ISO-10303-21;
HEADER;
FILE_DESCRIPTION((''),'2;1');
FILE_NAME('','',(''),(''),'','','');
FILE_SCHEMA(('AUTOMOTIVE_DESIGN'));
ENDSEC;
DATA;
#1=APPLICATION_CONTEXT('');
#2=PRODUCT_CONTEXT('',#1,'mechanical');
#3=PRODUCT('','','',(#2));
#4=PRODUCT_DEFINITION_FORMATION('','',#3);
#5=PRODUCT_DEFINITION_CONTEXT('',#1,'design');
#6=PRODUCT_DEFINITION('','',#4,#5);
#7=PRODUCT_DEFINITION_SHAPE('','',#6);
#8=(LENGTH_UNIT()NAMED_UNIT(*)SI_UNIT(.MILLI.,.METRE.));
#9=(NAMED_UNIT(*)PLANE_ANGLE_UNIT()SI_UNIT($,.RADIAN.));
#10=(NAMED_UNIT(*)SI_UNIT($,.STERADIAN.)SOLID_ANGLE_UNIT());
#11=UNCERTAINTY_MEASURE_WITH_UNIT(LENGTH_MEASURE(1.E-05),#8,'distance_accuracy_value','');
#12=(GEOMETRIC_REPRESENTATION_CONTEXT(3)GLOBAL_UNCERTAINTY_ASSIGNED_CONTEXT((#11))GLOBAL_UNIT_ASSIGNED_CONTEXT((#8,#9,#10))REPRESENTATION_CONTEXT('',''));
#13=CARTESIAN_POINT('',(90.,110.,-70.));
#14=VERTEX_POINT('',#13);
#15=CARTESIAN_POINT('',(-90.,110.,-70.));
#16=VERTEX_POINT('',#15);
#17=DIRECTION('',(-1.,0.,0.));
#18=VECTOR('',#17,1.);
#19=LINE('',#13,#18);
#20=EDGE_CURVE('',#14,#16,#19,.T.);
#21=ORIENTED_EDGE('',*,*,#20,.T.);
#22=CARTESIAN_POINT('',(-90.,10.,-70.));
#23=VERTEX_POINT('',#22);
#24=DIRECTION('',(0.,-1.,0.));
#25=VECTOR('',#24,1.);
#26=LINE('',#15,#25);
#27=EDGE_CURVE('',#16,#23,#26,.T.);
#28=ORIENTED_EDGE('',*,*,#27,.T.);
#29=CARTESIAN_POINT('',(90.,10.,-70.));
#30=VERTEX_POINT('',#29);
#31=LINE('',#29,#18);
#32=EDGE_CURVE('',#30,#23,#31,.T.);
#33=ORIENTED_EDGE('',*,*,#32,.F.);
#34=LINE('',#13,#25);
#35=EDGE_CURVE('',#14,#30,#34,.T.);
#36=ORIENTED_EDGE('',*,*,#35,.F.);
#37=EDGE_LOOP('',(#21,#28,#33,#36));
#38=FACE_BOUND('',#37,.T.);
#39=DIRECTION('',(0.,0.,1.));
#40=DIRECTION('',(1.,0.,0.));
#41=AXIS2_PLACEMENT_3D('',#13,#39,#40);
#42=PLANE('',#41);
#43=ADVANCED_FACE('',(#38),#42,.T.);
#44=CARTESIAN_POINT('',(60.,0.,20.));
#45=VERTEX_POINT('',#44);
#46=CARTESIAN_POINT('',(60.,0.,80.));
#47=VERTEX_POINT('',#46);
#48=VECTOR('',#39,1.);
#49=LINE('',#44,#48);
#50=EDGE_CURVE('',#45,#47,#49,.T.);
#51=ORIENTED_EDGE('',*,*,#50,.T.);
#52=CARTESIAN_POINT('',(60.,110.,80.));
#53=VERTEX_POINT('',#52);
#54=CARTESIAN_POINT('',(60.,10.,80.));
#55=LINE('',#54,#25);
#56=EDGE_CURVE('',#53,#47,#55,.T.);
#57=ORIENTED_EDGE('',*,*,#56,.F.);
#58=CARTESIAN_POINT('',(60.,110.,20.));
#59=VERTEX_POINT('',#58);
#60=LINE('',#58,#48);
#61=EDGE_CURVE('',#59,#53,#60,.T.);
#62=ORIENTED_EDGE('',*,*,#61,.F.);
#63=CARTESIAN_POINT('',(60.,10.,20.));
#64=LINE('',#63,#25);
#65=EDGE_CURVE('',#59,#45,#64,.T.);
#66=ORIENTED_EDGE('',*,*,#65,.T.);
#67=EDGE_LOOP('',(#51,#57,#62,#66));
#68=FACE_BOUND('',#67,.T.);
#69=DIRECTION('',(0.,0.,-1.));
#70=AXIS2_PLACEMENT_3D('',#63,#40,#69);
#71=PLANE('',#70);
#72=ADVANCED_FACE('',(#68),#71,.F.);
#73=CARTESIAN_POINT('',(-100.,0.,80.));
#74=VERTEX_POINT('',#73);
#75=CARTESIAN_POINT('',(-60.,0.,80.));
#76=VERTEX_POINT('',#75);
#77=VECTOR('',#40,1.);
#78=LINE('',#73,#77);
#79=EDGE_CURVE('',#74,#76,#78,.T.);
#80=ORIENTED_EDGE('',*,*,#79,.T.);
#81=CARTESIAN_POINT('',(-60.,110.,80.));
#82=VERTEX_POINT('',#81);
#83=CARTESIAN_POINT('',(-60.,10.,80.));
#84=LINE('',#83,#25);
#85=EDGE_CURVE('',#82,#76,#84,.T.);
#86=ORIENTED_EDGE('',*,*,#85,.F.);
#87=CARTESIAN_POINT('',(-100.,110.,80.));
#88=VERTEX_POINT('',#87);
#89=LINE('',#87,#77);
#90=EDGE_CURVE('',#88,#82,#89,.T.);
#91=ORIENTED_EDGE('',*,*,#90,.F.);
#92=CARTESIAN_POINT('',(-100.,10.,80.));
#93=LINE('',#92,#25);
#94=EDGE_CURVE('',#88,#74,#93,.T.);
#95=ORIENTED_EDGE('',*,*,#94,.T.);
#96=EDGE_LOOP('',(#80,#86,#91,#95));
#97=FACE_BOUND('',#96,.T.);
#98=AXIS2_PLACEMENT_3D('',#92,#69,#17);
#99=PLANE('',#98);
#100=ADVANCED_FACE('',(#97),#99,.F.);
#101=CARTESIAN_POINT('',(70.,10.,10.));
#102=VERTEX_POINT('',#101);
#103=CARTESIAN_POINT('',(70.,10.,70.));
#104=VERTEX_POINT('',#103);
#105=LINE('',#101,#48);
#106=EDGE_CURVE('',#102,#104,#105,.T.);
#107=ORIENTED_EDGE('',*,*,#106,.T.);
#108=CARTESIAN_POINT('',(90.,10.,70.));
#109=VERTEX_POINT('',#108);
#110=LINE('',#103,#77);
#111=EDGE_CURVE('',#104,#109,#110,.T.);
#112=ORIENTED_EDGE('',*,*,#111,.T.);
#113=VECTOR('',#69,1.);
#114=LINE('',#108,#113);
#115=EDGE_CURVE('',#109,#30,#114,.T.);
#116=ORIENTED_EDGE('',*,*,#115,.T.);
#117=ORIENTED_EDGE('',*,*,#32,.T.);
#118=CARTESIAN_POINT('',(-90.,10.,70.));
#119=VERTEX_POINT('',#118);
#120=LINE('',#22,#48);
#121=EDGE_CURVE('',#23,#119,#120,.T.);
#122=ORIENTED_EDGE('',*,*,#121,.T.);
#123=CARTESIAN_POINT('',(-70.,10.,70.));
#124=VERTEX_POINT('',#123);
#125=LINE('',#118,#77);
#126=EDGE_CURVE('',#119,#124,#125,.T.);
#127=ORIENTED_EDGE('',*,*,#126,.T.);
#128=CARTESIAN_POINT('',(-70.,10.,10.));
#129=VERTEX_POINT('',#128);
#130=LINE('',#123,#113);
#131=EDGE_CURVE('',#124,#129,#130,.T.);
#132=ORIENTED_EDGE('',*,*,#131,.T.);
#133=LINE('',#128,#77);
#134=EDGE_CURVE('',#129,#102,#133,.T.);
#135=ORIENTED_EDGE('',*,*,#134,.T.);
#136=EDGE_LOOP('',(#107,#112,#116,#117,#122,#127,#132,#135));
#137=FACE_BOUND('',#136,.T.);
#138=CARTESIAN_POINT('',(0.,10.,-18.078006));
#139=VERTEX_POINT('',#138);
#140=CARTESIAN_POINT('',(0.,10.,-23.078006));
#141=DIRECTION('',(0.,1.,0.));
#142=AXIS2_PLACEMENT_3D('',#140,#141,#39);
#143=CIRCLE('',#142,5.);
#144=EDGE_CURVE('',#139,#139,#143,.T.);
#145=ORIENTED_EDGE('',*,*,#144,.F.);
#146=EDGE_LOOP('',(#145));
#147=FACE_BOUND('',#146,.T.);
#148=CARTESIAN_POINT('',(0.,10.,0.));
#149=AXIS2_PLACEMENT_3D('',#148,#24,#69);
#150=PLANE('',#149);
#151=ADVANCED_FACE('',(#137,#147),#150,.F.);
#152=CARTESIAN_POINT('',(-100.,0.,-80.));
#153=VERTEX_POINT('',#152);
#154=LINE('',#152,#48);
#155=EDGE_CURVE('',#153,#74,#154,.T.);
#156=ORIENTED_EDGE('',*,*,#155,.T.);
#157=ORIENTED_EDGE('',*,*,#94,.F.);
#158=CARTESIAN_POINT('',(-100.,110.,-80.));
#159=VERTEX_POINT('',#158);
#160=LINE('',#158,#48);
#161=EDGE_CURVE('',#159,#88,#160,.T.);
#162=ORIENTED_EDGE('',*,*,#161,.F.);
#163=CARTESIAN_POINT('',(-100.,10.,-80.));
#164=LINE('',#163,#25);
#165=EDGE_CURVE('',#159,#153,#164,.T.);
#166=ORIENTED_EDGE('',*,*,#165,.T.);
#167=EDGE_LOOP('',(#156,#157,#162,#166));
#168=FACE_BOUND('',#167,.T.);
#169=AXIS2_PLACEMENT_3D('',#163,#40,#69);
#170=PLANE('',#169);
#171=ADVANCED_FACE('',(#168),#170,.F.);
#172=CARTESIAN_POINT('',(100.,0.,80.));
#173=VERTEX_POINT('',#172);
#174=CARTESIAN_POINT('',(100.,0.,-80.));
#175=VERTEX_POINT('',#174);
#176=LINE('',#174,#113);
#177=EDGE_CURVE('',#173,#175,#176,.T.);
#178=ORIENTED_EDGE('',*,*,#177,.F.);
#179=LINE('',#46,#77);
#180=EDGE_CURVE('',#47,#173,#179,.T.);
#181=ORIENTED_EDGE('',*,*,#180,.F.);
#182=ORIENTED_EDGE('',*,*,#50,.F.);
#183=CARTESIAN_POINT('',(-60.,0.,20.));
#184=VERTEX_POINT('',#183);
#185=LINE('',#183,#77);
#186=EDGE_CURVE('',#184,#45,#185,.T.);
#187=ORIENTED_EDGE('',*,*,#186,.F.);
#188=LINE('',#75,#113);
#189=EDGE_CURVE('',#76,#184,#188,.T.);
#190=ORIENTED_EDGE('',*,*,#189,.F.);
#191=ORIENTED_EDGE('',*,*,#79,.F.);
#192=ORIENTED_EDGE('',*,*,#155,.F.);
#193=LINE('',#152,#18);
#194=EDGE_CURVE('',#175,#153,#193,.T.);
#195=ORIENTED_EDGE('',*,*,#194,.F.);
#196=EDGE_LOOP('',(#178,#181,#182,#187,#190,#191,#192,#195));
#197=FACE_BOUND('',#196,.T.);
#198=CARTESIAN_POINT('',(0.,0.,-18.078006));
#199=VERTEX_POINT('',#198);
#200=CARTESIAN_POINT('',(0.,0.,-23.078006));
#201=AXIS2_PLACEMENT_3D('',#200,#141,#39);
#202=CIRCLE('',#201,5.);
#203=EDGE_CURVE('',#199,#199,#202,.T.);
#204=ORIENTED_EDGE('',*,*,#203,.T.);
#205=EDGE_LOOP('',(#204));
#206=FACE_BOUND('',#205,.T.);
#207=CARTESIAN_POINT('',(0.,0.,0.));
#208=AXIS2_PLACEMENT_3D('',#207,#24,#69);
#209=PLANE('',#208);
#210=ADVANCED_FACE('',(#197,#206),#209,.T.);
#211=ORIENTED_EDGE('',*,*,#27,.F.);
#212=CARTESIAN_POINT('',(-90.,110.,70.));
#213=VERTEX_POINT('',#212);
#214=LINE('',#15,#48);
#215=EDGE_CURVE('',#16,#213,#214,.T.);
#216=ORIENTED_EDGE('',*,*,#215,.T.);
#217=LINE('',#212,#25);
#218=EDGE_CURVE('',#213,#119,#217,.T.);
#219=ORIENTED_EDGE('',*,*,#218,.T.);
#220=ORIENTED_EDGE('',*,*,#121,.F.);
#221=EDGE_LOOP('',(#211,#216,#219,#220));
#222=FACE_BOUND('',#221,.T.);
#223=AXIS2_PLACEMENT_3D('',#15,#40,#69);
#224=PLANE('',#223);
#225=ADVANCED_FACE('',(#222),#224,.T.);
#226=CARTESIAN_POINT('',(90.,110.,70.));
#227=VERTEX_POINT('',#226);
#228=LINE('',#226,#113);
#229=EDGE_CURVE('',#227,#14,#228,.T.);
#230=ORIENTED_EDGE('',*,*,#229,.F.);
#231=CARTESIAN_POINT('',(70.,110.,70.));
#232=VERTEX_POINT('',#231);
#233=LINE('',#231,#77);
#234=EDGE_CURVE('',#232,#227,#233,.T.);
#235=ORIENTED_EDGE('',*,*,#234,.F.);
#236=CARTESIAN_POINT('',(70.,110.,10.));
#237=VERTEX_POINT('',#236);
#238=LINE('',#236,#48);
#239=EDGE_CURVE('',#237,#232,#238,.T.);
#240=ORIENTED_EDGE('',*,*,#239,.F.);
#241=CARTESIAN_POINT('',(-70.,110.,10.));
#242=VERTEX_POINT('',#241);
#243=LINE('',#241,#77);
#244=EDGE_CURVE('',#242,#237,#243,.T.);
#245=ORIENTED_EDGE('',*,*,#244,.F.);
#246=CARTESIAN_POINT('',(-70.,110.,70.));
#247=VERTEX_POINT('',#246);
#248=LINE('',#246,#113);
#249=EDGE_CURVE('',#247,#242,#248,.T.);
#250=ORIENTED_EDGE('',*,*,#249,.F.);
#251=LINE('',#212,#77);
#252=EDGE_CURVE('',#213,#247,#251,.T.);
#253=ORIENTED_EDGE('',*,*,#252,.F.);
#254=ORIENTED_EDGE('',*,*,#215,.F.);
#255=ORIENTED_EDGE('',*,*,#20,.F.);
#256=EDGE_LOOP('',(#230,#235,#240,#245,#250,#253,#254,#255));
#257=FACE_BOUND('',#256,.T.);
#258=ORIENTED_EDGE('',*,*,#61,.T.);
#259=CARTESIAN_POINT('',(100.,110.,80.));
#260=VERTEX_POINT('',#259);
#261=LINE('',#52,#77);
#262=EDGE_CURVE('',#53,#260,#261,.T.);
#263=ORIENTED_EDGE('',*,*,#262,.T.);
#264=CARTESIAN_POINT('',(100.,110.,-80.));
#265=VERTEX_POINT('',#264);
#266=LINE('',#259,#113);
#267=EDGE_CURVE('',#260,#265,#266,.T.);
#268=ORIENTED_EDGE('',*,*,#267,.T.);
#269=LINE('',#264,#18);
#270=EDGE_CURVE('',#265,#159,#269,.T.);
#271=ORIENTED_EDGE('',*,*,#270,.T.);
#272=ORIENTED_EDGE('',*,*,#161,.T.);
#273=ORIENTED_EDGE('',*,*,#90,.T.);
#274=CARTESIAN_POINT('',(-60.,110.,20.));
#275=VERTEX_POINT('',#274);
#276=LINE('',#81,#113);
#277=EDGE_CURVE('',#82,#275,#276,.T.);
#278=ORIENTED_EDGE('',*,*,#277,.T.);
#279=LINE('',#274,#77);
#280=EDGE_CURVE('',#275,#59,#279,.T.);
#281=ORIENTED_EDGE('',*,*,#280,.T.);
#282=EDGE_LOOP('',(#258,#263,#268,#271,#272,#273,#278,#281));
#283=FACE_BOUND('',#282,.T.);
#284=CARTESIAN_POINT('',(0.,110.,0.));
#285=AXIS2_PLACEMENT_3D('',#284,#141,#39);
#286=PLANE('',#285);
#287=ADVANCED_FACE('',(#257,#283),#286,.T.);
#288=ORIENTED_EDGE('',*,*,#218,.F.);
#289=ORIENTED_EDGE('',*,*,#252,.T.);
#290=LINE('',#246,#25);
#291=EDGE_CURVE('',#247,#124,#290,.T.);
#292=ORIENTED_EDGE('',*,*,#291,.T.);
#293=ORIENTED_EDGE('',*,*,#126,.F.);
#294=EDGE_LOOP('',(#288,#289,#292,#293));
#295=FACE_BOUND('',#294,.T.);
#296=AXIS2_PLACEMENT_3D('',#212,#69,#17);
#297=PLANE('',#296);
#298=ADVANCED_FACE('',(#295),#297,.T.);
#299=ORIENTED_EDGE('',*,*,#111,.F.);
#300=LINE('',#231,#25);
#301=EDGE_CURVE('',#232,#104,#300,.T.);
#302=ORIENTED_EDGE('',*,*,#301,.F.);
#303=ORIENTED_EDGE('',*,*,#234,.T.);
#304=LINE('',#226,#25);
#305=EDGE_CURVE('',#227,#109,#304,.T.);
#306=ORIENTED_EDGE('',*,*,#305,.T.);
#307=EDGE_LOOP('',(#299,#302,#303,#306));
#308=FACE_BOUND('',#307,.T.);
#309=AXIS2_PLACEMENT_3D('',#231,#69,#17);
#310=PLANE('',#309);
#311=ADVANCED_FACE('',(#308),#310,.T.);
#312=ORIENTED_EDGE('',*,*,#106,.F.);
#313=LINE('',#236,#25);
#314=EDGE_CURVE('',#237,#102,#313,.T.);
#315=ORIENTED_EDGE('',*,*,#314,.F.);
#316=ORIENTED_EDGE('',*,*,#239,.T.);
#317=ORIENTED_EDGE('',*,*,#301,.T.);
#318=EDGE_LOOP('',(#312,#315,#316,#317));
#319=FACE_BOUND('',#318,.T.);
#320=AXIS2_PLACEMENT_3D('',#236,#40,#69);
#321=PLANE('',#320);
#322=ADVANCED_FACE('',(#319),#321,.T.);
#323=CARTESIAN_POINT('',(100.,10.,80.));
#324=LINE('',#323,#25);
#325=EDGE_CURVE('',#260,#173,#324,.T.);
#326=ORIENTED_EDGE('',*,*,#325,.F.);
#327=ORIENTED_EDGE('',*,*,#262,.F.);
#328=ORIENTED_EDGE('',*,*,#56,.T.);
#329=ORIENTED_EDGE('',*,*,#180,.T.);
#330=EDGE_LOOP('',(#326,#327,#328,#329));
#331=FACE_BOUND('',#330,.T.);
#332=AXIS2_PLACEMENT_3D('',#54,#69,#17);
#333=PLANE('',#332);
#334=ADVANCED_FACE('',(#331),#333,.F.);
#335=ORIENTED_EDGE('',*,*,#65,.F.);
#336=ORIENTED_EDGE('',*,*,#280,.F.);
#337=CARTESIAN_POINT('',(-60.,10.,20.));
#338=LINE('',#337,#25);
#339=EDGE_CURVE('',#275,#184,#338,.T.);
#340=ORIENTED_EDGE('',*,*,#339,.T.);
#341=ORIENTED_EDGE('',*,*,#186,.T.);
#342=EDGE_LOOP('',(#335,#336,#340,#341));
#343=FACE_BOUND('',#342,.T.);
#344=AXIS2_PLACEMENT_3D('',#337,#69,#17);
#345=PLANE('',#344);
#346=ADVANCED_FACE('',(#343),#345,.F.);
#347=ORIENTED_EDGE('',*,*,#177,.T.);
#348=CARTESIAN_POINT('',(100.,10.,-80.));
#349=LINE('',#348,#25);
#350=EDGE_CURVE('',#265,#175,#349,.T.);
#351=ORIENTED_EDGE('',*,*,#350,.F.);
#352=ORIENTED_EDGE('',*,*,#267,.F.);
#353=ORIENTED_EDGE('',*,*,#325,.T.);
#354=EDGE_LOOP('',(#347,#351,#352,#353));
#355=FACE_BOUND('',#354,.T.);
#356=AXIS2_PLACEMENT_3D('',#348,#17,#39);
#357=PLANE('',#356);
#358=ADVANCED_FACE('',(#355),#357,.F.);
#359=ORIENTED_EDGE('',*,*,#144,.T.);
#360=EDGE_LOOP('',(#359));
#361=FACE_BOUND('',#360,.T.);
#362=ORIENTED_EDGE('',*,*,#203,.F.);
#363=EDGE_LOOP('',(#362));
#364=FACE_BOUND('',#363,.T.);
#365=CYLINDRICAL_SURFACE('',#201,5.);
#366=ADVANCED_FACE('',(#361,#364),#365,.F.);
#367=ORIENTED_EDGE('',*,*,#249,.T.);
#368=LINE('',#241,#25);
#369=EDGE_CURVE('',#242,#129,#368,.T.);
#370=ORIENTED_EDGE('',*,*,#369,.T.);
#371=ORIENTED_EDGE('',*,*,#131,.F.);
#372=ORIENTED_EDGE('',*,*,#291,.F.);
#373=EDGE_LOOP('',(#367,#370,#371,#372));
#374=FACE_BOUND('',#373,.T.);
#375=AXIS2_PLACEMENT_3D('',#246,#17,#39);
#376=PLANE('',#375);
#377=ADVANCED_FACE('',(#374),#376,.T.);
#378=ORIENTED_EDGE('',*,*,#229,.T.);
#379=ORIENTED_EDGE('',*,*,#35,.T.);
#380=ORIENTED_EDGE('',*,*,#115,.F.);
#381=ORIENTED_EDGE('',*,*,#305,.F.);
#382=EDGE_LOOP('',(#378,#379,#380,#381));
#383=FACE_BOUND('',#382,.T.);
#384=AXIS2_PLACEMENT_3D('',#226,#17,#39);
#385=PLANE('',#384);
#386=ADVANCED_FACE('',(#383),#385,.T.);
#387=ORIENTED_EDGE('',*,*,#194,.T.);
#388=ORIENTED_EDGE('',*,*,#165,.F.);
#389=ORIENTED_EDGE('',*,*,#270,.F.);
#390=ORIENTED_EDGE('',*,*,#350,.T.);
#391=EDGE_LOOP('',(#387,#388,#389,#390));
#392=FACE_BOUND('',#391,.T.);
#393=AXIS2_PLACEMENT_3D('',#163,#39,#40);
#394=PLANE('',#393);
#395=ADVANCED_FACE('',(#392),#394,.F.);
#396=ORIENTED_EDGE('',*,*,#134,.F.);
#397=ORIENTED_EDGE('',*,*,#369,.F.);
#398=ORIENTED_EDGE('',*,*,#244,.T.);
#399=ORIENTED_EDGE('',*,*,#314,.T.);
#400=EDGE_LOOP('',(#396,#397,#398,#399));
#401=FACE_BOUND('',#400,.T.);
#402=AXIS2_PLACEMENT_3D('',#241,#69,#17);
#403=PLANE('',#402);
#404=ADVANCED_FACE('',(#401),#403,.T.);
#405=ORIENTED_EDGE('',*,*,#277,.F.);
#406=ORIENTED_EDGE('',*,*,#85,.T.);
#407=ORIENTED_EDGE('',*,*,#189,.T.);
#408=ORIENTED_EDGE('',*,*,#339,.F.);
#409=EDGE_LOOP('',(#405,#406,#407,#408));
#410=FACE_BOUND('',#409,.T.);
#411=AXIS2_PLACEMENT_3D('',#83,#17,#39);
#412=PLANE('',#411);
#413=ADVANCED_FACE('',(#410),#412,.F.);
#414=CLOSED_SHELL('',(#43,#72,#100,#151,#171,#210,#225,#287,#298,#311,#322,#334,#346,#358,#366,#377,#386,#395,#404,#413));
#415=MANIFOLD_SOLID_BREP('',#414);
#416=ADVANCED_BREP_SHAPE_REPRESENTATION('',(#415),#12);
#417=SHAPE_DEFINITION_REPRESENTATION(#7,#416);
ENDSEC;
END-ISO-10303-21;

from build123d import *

# Parameters (mm, degrees)
BOSS_EXTRUDE1_DEPTH = 10
BOSS_EXTRUDE2_DEPTH = 100
SKETCH4_R           = 5
CUT_EXTRUDE1_DEPTH  = 10


with BuildPart() as part:
    # Sketch2 → Boss-Extrude1 (new body)
    with BuildSketch(Plane(origin=(0, 0, 0), x_dir=(1, 0, 0), z_dir=(0, 1, 0))):
        Polygon((-60, -80), (-60, -20), (60, -20), (60, -80), (100, -80), (100, 80), (-100, 80), (-100, -80), align=None)
    extrude(amount=BOSS_EXTRUDE1_DEPTH)

    # Sketch3 → Boss-Extrude2 (add)
    with BuildSketch(Plane(origin=(0, 10, 0), x_dir=(1, 0, 0), z_dir=(0, 1, 0))):
        Polygon((-60, -80), (-60, -20), (60, -20), (60, -80), (100, -80), (100, 80), (-100, 80), (-100, -80), align=None)
        Polygon((90, 70), (-90, 70), (-90, -70), (-70, -70), (-70, -10), (70, -10), (70, -70), (90, -70), align=None, mode=Mode.SUBTRACT)
    extrude(amount=BOSS_EXTRUDE2_DEPTH)

    # Sketch4 → Cut-Extrude1 (cut)
    with BuildSketch(Plane(origin=(0, 10, 0), x_dir=(1, 0, 0), z_dir=(0, 1, 0))):
        with Locations((0, 23.078006165)):
            Circle(SKETCH4_R)
    extrude(amount=-CUT_EXTRUDE1_DEPTH, mode=Mode.SUBTRACT)


solid = part.part
